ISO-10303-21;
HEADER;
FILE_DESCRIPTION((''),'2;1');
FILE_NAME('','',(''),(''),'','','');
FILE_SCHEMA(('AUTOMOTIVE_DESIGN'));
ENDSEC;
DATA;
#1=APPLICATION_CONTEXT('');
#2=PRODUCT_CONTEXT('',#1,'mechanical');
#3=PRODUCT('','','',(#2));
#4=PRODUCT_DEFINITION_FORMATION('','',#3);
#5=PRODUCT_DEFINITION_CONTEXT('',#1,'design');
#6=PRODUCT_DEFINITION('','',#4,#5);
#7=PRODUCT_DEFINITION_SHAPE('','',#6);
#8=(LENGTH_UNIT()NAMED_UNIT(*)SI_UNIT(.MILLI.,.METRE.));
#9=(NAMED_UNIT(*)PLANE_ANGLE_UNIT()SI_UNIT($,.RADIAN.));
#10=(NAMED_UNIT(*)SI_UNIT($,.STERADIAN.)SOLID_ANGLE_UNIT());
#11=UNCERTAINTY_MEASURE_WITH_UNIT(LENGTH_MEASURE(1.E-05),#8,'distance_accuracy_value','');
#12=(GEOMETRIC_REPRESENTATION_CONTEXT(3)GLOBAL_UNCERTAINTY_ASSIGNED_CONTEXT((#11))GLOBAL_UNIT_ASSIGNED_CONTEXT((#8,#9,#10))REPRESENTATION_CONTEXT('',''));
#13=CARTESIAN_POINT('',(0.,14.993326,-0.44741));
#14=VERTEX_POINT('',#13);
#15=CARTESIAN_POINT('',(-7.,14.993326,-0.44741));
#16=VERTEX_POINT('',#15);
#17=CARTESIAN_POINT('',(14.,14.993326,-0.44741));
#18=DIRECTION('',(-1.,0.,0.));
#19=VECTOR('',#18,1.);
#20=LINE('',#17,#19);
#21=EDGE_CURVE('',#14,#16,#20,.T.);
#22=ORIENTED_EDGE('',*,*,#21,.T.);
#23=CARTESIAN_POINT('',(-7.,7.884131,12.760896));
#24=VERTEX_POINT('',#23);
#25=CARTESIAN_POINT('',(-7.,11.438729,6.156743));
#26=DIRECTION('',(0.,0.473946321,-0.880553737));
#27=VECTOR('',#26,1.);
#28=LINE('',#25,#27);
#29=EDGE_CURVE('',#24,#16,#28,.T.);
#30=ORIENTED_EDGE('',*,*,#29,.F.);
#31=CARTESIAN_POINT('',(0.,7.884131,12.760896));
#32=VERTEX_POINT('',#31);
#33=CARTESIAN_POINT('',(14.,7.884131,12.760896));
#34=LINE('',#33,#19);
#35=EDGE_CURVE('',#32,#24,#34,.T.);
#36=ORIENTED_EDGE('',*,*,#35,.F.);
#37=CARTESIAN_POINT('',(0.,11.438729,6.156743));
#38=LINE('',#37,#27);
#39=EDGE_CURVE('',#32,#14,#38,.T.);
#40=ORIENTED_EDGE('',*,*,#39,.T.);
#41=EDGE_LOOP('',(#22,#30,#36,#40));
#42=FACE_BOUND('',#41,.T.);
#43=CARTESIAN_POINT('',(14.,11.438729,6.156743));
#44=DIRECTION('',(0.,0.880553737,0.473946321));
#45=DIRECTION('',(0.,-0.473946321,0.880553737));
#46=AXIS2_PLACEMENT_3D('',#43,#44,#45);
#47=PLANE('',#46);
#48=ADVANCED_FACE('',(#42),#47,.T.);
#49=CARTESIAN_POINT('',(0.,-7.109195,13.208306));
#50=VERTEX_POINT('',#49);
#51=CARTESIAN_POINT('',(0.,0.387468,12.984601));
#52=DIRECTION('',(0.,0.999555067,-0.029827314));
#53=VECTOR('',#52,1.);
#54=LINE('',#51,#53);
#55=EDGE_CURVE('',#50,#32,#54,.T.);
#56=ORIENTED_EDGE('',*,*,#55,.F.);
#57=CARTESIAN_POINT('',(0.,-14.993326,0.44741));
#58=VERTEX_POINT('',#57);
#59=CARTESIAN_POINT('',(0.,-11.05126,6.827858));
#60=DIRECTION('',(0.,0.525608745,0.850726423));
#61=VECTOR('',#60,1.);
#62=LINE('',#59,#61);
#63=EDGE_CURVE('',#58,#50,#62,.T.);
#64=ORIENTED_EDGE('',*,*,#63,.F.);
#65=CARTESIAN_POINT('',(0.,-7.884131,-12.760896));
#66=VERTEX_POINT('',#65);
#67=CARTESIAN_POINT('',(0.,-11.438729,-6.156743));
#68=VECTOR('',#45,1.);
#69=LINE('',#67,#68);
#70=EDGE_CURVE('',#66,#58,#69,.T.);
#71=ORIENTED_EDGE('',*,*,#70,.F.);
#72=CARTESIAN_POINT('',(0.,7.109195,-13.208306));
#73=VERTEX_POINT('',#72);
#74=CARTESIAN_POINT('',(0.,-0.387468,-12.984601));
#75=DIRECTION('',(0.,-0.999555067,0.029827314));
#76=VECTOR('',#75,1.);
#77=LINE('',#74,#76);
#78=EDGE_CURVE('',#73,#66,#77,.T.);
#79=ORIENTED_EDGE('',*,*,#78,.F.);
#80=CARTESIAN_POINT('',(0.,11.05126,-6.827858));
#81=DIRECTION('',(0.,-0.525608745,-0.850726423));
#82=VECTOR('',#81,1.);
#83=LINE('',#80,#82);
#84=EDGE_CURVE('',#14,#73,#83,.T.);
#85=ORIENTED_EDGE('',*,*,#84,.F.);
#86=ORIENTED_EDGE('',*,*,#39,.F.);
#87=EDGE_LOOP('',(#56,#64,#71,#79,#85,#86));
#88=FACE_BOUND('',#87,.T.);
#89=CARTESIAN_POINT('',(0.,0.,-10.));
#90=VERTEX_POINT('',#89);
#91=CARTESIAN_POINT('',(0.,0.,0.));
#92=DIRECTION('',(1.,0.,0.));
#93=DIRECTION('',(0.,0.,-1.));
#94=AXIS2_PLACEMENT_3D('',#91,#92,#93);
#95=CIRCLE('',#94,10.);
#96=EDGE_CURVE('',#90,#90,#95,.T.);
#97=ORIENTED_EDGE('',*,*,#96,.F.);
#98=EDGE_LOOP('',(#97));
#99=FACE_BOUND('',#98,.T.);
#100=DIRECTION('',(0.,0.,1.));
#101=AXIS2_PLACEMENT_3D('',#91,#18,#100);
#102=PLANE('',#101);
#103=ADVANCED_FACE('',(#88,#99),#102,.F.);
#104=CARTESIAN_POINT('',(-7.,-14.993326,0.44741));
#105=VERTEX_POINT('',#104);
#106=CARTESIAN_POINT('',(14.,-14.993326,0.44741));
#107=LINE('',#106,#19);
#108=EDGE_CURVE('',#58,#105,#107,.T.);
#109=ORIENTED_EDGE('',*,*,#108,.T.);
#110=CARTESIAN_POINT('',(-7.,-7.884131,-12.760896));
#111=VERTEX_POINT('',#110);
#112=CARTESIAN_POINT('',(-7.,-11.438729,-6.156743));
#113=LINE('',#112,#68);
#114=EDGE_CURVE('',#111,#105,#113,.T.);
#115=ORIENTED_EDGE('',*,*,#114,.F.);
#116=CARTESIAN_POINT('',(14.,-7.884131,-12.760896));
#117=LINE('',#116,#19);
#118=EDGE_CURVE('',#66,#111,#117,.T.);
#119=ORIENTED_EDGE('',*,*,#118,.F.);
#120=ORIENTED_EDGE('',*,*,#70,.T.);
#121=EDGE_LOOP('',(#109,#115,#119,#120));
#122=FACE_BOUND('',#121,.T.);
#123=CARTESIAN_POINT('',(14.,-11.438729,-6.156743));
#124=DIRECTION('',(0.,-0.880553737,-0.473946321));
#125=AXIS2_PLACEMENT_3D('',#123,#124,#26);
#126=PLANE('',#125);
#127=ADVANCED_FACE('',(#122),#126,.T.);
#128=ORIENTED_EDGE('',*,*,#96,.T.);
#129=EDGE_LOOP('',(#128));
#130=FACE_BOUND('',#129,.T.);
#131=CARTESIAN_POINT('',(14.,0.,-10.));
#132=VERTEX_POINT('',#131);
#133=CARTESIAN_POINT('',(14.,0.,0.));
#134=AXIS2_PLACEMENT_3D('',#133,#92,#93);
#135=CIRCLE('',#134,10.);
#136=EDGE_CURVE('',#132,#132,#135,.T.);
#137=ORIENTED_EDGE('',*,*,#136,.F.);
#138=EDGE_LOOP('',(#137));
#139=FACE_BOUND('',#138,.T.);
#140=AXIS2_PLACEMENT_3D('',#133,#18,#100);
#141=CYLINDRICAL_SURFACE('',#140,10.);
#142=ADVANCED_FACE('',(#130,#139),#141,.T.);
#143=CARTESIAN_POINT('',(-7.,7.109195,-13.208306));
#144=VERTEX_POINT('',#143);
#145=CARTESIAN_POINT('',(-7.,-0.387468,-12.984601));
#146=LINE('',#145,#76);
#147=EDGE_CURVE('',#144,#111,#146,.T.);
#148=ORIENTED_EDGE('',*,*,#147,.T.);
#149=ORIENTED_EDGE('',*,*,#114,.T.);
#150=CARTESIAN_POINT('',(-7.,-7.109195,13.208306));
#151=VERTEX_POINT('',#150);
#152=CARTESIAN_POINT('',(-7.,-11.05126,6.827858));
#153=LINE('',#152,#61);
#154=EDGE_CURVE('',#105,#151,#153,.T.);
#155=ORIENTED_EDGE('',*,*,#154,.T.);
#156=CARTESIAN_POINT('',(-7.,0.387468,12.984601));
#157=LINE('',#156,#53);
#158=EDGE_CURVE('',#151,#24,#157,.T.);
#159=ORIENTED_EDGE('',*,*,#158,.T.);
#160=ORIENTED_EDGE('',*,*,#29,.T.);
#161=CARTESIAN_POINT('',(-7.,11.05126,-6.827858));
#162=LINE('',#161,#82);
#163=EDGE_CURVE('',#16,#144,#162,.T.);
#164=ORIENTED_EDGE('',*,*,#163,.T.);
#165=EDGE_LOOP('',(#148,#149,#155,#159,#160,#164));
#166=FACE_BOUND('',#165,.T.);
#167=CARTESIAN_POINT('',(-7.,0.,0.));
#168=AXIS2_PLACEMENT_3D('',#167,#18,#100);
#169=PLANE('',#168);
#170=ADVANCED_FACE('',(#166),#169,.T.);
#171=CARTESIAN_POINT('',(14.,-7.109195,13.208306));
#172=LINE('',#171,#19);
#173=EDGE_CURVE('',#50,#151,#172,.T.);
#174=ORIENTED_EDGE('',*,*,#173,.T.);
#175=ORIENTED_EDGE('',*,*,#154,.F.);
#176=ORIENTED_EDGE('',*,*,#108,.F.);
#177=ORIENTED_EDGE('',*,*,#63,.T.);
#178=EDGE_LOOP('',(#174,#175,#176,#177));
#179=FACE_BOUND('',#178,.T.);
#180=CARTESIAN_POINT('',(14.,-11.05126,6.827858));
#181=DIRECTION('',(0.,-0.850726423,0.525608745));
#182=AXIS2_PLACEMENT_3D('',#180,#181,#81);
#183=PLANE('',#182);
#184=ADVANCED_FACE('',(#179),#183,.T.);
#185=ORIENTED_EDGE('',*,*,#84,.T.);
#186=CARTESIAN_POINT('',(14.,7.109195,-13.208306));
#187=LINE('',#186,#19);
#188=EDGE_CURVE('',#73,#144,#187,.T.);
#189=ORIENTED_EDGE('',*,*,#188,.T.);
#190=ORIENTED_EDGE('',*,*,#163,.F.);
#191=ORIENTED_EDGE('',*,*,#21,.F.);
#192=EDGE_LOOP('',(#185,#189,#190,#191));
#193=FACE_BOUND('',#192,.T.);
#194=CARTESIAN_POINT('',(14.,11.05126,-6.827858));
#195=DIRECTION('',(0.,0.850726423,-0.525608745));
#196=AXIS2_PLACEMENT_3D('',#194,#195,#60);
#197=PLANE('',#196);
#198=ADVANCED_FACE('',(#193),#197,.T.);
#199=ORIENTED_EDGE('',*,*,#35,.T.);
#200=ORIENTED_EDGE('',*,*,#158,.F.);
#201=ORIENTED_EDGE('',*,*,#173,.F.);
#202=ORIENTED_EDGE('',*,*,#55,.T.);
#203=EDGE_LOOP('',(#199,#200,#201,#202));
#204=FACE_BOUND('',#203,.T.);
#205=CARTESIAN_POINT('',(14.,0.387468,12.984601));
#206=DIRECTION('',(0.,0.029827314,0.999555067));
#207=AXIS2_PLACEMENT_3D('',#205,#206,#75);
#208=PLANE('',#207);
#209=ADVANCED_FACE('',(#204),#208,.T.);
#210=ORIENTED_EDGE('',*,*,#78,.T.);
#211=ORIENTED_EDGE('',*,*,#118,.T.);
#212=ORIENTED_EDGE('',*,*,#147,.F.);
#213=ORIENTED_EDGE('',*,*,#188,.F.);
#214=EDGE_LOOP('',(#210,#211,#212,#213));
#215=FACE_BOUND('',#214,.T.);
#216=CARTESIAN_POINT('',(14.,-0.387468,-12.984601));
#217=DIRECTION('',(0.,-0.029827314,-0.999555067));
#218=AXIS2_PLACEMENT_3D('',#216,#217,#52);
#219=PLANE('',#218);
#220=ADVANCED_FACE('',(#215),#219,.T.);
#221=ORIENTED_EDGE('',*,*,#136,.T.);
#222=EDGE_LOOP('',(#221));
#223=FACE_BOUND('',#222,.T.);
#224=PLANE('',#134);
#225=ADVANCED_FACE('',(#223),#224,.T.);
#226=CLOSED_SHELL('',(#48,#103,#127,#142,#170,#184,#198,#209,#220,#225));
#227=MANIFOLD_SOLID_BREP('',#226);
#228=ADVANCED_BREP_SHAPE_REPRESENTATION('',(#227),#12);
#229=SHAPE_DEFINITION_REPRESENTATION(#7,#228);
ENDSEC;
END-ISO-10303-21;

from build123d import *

# Parameters (mm, degrees)
CROQUIS1_R              = 10
SALIENTE_EXTRUIR1_DEPTH = 14
CROQUIS2_R              = 15
SALIENTE_EXTRUIR2_DEPTH = 7
CORTAR_EXTRUIR1_DEPTH   = 30.849623113


with BuildPart() as part:
    # Croquis1 → Saliente-Extruir1 (new body)
    with BuildSketch(Plane(origin=(0, 0, 0), x_dir=(0, 0, -1), z_dir=(1, 0, 0))):
        Circle(CROQUIS1_R)
    extrude(amount=SALIENTE_EXTRUIR1_DEPTH)

    # Croquis2 → Saliente-Extruir2 (add)
    with BuildSketch(Plane.ZY):
        Circle(CROQUIS2_R)
    extrude(amount=SALIENTE_EXTRUIR2_DEPTH)

    # Croquis5 → Cortar-Extruir1 (cut, through all)
    with BuildSketch(Plane.ZY.offset(7)):
        with BuildLine():
            Line((-13.208306062, 7.109194819), (-0.447409717, 14.993326))
            ThreePointArc((-0.447409717, 14.993326), (-7.884131181, 12.760896345), (-13.208306062, 7.109194819))
        make_face()
        with BuildLine():
            Line((-12.760896345, -7.884131181), (-13.208306062, 7.109194819))
            ThreePointArc((-13.208306062, 7.109194819), (-14.993326, -0.447409717), (-12.760896345, -7.884131181))
        make_face()
        with BuildLine():
            Line((0.447409717, -14.993326), (-12.760896345, -7.884131181))
            ThreePointArc((-12.760896345, -7.884131181), (-7.109194819, -13.208306062), (0.447409717, -14.993326))
        make_face()
        with BuildLine():
            ThreePointArc((0.447409717, -14.993326), (7.884131181, -12.760896345), (13.208306062, -7.109194819))
            Line((13.208306062, -7.109194819), (0.447409717, -14.993326))
        make_face()
        with BuildLine():
            ThreePointArc((15, 0), (14.429370138, 4.097960153), (12.760896345, 7.884131181))
            Line((12.760896345, 7.884131181), (13.208306062, -7.109194819))
            ThreePointArc((13.208306062, -7.109194819), (14.545181177, -3.665747473), (15, 0))
        make_face()
        with BuildLine():
            ThreePointArc((12.760896345, 7.884131181), (7.109194819, 13.208306062), (-0.447409717, 14.993326))
            Line((-0.447409717, 14.993326), (12.760896345, 7.884131181))
        make_face()
    extrude(amount=-CORTAR_EXTRUIR1_DEPTH, mode=Mode.SUBTRACT)


solid = part.part
